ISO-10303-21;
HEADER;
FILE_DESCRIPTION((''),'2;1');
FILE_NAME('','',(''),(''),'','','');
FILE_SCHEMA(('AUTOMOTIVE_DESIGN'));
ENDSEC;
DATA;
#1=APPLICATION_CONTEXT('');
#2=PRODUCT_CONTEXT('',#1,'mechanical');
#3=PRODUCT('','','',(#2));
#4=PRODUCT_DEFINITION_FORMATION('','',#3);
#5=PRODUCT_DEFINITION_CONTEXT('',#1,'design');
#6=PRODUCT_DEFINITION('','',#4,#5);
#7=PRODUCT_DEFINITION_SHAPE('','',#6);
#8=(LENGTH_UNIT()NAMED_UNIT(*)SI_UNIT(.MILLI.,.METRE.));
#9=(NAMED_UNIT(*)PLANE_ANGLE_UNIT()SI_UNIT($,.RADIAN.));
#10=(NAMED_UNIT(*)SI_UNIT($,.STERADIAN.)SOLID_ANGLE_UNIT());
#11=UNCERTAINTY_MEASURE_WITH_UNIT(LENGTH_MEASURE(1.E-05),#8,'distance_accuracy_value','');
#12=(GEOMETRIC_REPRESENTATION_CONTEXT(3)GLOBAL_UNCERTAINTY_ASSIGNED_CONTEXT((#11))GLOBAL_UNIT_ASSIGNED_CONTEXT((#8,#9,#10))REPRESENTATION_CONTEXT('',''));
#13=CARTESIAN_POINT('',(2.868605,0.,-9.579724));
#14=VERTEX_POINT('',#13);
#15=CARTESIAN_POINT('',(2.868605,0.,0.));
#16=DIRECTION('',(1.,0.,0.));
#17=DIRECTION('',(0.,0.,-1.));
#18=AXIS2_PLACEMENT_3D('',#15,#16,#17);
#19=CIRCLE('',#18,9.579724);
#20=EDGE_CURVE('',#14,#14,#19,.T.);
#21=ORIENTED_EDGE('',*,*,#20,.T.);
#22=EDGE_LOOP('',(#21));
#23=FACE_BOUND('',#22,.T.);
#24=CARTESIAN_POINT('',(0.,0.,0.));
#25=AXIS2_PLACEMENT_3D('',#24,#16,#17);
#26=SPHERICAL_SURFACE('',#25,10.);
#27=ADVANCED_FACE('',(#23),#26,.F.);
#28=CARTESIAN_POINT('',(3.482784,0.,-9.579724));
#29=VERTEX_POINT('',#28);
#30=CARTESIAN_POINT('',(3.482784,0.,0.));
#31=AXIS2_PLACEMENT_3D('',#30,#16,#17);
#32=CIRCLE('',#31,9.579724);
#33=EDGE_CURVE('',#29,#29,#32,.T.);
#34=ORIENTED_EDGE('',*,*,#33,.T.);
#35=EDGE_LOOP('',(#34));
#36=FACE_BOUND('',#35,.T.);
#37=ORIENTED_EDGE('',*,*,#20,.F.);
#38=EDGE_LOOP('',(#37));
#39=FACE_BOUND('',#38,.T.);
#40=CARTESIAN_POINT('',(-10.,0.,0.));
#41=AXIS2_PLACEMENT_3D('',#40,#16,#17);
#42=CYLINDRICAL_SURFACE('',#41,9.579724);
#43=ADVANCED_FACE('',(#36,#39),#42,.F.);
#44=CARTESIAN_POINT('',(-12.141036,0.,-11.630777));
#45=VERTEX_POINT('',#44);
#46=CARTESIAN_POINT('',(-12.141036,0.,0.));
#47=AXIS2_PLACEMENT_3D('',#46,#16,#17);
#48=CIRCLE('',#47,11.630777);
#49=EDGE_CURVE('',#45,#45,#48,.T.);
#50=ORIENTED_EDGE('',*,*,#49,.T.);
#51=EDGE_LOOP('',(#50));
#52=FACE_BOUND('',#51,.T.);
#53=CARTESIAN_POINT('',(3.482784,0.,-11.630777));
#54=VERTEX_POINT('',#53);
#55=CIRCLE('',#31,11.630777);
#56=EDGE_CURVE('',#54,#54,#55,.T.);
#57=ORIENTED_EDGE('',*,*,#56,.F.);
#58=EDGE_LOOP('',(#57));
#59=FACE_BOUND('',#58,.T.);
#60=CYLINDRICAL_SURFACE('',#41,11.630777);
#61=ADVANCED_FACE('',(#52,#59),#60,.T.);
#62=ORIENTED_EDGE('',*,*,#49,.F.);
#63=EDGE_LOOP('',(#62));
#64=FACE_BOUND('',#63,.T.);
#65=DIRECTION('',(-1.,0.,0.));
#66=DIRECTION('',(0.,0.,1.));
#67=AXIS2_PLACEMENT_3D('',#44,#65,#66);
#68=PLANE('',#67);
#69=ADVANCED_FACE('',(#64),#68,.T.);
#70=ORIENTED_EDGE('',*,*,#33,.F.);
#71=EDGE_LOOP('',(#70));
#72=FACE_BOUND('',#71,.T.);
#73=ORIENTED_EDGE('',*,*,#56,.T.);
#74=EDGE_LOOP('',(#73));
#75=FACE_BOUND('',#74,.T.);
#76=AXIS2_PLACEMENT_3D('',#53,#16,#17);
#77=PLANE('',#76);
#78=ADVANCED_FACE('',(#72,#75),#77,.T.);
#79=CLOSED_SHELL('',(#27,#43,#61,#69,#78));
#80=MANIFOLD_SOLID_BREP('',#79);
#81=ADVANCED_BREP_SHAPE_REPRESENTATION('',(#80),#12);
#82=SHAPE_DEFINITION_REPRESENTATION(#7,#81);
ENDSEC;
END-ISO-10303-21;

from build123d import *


with BuildPart() as part:
    # Croquis1 → Revolución1 (revolve)
    with BuildSketch(Plane(origin=(0, 0, 0), x_dir=(1, 0, 0), z_dir=(0, 1, 0))):
        with BuildLine():
            Line((-10, 0), (-12.14103606, 0))
            Line((-12.14103606, 0), (-12.14103606, 11.630777084))
            Line((-12.14103606, 11.630777084), (3.482783518, 11.630777084))
            Line((3.482783518, 11.630777084), (3.482783518, 9.579723696))
            Line((3.482783518, 9.579723696), (2.868604871, 9.579723696))
            ThreePointArc((2.868604871, 9.579723696), (-5.971346217, 8.021410372), (-10, 0))
        make_face()
    revolve(axis=Axis((-10, 0, 0), (-1, 0, 0)))


solid = part.part
